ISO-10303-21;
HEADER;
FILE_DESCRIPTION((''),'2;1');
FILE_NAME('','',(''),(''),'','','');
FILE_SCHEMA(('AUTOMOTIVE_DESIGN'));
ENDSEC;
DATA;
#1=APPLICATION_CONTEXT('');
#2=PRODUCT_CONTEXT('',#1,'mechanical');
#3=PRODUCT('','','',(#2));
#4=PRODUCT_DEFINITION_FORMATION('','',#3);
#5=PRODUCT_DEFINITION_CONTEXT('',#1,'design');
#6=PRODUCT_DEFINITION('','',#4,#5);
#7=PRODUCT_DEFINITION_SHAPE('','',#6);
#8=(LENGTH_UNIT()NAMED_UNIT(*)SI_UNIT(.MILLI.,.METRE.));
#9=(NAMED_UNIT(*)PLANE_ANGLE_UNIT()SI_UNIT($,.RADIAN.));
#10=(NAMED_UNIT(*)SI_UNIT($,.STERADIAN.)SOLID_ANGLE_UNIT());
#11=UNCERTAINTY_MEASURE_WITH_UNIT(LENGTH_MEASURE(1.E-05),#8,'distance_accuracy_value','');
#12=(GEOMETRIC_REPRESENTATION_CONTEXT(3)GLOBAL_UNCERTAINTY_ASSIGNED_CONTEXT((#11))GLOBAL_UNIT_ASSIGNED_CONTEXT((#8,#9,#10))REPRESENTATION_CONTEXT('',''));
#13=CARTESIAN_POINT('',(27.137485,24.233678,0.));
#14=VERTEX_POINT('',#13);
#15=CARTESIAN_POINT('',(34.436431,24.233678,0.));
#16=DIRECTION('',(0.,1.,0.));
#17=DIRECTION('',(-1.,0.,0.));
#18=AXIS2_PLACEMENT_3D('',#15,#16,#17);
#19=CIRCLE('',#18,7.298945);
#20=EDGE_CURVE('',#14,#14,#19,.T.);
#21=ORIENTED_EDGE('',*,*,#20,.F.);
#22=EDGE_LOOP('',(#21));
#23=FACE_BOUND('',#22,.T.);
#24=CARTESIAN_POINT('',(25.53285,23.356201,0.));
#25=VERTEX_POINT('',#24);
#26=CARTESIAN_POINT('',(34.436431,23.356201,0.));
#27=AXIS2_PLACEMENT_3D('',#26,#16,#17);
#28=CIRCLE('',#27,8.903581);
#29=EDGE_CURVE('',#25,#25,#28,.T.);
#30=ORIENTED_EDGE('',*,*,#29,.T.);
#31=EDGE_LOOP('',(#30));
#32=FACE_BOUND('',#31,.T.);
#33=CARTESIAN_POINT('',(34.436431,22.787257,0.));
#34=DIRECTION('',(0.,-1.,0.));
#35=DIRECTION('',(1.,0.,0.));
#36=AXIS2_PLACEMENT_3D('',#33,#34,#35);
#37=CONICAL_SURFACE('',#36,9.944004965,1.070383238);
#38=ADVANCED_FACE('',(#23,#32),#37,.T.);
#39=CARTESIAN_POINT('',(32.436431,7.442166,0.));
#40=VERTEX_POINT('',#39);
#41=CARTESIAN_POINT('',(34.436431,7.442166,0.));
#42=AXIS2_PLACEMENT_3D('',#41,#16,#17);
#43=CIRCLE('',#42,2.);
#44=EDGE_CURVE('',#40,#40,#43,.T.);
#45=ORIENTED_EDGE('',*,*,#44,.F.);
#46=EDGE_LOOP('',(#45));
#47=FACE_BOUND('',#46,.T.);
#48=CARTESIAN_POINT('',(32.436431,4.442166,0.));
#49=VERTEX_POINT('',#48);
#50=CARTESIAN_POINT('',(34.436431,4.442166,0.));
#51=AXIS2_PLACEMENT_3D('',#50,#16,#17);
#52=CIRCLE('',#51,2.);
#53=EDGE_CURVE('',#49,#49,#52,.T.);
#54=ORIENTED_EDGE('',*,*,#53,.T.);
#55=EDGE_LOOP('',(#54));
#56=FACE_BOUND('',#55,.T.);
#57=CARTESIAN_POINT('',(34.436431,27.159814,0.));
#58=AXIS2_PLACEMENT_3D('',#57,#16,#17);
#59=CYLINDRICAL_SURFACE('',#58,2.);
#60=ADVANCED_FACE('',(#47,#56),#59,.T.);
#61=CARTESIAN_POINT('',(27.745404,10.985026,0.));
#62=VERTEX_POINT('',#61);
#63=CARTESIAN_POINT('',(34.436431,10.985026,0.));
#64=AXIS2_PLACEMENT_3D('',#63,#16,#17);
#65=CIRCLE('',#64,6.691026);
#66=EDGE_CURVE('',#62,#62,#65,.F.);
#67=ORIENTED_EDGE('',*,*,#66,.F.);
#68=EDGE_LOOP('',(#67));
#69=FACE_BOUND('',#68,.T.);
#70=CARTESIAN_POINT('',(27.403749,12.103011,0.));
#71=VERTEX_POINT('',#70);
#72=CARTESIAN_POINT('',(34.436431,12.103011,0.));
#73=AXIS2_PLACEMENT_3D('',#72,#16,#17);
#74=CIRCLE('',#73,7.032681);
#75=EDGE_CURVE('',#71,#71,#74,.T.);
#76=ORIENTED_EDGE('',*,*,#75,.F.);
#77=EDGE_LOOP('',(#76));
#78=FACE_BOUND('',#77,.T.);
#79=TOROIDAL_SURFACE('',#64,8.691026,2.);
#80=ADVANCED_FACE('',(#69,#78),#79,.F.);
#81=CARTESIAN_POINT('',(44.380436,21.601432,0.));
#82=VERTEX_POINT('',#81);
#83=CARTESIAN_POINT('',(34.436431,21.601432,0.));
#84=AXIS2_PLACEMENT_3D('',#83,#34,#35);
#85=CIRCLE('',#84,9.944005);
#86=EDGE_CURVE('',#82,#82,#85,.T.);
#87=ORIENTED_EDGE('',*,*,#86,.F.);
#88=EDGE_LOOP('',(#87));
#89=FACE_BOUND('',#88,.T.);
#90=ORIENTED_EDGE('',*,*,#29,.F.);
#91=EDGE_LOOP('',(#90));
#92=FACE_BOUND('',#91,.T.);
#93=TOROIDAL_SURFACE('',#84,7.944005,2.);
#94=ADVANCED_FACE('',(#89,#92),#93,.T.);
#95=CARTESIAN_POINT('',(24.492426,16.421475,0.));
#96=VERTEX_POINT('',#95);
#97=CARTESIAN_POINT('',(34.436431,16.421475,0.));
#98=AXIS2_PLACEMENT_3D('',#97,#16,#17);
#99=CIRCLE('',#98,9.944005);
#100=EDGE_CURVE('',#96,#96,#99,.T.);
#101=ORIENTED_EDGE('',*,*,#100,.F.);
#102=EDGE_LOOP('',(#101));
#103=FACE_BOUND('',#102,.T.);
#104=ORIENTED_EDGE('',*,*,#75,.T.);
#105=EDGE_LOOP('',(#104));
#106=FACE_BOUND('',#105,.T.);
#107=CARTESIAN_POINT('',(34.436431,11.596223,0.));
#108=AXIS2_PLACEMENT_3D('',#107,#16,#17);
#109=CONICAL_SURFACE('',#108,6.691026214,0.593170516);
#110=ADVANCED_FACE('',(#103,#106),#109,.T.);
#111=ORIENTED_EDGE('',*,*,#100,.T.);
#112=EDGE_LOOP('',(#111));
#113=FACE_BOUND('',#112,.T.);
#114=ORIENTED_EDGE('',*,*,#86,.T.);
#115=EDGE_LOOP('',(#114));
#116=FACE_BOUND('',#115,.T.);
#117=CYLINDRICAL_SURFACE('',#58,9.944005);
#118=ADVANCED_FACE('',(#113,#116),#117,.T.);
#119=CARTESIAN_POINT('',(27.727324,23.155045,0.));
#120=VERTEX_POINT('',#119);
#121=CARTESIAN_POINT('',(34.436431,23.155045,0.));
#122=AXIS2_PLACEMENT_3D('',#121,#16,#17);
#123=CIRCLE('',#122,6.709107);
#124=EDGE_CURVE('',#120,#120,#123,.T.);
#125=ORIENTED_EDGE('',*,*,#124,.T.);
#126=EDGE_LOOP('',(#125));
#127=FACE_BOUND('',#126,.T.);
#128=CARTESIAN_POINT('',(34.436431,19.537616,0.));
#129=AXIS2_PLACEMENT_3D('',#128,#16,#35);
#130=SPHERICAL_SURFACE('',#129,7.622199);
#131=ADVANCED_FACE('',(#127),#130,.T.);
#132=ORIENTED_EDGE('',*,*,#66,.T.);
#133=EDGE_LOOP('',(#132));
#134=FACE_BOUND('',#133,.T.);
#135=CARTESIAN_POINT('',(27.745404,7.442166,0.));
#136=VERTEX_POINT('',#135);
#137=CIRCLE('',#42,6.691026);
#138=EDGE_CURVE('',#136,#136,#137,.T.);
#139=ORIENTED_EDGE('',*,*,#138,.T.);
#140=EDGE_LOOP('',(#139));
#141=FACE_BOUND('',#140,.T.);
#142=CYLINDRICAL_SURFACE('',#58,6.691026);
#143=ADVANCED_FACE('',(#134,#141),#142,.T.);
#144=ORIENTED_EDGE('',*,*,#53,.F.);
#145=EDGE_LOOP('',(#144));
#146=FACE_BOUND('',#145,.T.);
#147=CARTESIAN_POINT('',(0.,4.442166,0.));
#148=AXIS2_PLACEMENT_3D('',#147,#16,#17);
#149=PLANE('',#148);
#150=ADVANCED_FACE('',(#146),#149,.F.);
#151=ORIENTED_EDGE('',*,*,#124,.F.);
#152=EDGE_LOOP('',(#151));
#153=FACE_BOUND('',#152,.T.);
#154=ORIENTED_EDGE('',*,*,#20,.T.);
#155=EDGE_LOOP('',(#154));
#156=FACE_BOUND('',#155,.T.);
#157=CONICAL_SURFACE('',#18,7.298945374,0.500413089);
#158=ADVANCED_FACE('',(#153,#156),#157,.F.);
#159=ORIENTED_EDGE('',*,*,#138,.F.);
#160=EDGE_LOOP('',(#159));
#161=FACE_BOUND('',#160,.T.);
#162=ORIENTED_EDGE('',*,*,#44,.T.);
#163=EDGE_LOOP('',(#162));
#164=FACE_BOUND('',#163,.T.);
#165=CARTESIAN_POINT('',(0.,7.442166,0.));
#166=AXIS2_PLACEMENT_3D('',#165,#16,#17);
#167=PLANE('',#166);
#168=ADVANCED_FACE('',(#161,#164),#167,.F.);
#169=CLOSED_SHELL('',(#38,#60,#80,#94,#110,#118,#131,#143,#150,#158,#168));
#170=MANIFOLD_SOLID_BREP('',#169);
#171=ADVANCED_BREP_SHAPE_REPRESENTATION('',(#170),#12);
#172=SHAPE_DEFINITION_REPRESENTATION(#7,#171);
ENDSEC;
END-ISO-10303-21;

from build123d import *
from build123d.topology import SkipClean

# Parameters (mm, degrees)
FILLET_1_R = 2


with BuildPart() as part:
    # ｽｹｯﾁ1 → 回転1 (revolve)
    with SkipClean():  # the faces are left unmerged after this step: merging them gives an invalid solid
        with BuildSketch(Plane.XY, mode=Mode.PRIVATE) as revolve_1_sk:
            with BuildLine():
                ThreePointArc((41.145537471, 23.155045442), (38.343164799, 26.082487024), (34.436430544, 27.159814398))
                Line((34.436430544, 27.159814398), (34.436430544, 11.915416826))
                ThreePointArc((34.436430544, 11.915416826), (39.826138993, 14.147907163), (42.05862933, 19.537615612))
                ThreePointArc((42.05862933, 19.537615612), (41.826831785, 21.403060285), (41.145537471, 23.155045442))
            make_face()
            with BuildLine():
                Line((34.436430544, 11.915416826), (34.436430544, 27.159814398))
                ThreePointArc((34.436430544, 27.159814398), (26.814231757, 19.537615612), (34.436430544, 11.915416826))
            make_face()
            with BuildLine():
                ThreePointArc((42.05862933, 19.537615612), (39.826138993, 14.147907163), (34.436430544, 11.915416826))
                Line((34.436430544, 11.915416826), (34.436430544, 7.442165664))
                Line((34.436430544, 7.442165664), (34.436430544, 4.442165664))
                Line((34.436430544, 4.442165664), (36.436430544, 4.442165664))
                Line((36.436430544, 4.442165664), (36.436430544, 7.442165664))
                Line((36.436430544, 7.442165664), (41.127456758, 7.442165664))
                Line((41.127456758, 7.442165664), (41.127456758, 11.596223188))
                Line((41.127456758, 11.596223188), (44.380435509, 16.421475002))
                Line((44.380435509, 16.421475002), (44.380435509, 22.787256507))
                Line((44.380435509, 22.787256507), (41.735375917, 24.233678208))
                Line((41.735375917, 24.233678208), (41.145537471, 23.155045442))
                ThreePointArc((41.145537471, 23.155045442), (41.826831785, 21.403060285), (42.05862933, 19.537615612))
            make_face()
        revolve(revolve_1_sk.sketch.rotate(Axis((34.436430544, 27.159814398, 0), (0, -1, 0)), 180), axis=Axis((34.436430544, 27.159814398, 0), (0, -1, 0)))

    # ﾌｨﾚｯﾄ1
    fillet_1_edges = [part.edges().sort_by_distance(p)[0] for p in [
        (44.380435509, 22.787256507, 0),
        (41.127456758, 11.596223188, 0),
    ]]
    fillet(fillet_1_edges, radius=FILLET_1_R)


solid = part.part
